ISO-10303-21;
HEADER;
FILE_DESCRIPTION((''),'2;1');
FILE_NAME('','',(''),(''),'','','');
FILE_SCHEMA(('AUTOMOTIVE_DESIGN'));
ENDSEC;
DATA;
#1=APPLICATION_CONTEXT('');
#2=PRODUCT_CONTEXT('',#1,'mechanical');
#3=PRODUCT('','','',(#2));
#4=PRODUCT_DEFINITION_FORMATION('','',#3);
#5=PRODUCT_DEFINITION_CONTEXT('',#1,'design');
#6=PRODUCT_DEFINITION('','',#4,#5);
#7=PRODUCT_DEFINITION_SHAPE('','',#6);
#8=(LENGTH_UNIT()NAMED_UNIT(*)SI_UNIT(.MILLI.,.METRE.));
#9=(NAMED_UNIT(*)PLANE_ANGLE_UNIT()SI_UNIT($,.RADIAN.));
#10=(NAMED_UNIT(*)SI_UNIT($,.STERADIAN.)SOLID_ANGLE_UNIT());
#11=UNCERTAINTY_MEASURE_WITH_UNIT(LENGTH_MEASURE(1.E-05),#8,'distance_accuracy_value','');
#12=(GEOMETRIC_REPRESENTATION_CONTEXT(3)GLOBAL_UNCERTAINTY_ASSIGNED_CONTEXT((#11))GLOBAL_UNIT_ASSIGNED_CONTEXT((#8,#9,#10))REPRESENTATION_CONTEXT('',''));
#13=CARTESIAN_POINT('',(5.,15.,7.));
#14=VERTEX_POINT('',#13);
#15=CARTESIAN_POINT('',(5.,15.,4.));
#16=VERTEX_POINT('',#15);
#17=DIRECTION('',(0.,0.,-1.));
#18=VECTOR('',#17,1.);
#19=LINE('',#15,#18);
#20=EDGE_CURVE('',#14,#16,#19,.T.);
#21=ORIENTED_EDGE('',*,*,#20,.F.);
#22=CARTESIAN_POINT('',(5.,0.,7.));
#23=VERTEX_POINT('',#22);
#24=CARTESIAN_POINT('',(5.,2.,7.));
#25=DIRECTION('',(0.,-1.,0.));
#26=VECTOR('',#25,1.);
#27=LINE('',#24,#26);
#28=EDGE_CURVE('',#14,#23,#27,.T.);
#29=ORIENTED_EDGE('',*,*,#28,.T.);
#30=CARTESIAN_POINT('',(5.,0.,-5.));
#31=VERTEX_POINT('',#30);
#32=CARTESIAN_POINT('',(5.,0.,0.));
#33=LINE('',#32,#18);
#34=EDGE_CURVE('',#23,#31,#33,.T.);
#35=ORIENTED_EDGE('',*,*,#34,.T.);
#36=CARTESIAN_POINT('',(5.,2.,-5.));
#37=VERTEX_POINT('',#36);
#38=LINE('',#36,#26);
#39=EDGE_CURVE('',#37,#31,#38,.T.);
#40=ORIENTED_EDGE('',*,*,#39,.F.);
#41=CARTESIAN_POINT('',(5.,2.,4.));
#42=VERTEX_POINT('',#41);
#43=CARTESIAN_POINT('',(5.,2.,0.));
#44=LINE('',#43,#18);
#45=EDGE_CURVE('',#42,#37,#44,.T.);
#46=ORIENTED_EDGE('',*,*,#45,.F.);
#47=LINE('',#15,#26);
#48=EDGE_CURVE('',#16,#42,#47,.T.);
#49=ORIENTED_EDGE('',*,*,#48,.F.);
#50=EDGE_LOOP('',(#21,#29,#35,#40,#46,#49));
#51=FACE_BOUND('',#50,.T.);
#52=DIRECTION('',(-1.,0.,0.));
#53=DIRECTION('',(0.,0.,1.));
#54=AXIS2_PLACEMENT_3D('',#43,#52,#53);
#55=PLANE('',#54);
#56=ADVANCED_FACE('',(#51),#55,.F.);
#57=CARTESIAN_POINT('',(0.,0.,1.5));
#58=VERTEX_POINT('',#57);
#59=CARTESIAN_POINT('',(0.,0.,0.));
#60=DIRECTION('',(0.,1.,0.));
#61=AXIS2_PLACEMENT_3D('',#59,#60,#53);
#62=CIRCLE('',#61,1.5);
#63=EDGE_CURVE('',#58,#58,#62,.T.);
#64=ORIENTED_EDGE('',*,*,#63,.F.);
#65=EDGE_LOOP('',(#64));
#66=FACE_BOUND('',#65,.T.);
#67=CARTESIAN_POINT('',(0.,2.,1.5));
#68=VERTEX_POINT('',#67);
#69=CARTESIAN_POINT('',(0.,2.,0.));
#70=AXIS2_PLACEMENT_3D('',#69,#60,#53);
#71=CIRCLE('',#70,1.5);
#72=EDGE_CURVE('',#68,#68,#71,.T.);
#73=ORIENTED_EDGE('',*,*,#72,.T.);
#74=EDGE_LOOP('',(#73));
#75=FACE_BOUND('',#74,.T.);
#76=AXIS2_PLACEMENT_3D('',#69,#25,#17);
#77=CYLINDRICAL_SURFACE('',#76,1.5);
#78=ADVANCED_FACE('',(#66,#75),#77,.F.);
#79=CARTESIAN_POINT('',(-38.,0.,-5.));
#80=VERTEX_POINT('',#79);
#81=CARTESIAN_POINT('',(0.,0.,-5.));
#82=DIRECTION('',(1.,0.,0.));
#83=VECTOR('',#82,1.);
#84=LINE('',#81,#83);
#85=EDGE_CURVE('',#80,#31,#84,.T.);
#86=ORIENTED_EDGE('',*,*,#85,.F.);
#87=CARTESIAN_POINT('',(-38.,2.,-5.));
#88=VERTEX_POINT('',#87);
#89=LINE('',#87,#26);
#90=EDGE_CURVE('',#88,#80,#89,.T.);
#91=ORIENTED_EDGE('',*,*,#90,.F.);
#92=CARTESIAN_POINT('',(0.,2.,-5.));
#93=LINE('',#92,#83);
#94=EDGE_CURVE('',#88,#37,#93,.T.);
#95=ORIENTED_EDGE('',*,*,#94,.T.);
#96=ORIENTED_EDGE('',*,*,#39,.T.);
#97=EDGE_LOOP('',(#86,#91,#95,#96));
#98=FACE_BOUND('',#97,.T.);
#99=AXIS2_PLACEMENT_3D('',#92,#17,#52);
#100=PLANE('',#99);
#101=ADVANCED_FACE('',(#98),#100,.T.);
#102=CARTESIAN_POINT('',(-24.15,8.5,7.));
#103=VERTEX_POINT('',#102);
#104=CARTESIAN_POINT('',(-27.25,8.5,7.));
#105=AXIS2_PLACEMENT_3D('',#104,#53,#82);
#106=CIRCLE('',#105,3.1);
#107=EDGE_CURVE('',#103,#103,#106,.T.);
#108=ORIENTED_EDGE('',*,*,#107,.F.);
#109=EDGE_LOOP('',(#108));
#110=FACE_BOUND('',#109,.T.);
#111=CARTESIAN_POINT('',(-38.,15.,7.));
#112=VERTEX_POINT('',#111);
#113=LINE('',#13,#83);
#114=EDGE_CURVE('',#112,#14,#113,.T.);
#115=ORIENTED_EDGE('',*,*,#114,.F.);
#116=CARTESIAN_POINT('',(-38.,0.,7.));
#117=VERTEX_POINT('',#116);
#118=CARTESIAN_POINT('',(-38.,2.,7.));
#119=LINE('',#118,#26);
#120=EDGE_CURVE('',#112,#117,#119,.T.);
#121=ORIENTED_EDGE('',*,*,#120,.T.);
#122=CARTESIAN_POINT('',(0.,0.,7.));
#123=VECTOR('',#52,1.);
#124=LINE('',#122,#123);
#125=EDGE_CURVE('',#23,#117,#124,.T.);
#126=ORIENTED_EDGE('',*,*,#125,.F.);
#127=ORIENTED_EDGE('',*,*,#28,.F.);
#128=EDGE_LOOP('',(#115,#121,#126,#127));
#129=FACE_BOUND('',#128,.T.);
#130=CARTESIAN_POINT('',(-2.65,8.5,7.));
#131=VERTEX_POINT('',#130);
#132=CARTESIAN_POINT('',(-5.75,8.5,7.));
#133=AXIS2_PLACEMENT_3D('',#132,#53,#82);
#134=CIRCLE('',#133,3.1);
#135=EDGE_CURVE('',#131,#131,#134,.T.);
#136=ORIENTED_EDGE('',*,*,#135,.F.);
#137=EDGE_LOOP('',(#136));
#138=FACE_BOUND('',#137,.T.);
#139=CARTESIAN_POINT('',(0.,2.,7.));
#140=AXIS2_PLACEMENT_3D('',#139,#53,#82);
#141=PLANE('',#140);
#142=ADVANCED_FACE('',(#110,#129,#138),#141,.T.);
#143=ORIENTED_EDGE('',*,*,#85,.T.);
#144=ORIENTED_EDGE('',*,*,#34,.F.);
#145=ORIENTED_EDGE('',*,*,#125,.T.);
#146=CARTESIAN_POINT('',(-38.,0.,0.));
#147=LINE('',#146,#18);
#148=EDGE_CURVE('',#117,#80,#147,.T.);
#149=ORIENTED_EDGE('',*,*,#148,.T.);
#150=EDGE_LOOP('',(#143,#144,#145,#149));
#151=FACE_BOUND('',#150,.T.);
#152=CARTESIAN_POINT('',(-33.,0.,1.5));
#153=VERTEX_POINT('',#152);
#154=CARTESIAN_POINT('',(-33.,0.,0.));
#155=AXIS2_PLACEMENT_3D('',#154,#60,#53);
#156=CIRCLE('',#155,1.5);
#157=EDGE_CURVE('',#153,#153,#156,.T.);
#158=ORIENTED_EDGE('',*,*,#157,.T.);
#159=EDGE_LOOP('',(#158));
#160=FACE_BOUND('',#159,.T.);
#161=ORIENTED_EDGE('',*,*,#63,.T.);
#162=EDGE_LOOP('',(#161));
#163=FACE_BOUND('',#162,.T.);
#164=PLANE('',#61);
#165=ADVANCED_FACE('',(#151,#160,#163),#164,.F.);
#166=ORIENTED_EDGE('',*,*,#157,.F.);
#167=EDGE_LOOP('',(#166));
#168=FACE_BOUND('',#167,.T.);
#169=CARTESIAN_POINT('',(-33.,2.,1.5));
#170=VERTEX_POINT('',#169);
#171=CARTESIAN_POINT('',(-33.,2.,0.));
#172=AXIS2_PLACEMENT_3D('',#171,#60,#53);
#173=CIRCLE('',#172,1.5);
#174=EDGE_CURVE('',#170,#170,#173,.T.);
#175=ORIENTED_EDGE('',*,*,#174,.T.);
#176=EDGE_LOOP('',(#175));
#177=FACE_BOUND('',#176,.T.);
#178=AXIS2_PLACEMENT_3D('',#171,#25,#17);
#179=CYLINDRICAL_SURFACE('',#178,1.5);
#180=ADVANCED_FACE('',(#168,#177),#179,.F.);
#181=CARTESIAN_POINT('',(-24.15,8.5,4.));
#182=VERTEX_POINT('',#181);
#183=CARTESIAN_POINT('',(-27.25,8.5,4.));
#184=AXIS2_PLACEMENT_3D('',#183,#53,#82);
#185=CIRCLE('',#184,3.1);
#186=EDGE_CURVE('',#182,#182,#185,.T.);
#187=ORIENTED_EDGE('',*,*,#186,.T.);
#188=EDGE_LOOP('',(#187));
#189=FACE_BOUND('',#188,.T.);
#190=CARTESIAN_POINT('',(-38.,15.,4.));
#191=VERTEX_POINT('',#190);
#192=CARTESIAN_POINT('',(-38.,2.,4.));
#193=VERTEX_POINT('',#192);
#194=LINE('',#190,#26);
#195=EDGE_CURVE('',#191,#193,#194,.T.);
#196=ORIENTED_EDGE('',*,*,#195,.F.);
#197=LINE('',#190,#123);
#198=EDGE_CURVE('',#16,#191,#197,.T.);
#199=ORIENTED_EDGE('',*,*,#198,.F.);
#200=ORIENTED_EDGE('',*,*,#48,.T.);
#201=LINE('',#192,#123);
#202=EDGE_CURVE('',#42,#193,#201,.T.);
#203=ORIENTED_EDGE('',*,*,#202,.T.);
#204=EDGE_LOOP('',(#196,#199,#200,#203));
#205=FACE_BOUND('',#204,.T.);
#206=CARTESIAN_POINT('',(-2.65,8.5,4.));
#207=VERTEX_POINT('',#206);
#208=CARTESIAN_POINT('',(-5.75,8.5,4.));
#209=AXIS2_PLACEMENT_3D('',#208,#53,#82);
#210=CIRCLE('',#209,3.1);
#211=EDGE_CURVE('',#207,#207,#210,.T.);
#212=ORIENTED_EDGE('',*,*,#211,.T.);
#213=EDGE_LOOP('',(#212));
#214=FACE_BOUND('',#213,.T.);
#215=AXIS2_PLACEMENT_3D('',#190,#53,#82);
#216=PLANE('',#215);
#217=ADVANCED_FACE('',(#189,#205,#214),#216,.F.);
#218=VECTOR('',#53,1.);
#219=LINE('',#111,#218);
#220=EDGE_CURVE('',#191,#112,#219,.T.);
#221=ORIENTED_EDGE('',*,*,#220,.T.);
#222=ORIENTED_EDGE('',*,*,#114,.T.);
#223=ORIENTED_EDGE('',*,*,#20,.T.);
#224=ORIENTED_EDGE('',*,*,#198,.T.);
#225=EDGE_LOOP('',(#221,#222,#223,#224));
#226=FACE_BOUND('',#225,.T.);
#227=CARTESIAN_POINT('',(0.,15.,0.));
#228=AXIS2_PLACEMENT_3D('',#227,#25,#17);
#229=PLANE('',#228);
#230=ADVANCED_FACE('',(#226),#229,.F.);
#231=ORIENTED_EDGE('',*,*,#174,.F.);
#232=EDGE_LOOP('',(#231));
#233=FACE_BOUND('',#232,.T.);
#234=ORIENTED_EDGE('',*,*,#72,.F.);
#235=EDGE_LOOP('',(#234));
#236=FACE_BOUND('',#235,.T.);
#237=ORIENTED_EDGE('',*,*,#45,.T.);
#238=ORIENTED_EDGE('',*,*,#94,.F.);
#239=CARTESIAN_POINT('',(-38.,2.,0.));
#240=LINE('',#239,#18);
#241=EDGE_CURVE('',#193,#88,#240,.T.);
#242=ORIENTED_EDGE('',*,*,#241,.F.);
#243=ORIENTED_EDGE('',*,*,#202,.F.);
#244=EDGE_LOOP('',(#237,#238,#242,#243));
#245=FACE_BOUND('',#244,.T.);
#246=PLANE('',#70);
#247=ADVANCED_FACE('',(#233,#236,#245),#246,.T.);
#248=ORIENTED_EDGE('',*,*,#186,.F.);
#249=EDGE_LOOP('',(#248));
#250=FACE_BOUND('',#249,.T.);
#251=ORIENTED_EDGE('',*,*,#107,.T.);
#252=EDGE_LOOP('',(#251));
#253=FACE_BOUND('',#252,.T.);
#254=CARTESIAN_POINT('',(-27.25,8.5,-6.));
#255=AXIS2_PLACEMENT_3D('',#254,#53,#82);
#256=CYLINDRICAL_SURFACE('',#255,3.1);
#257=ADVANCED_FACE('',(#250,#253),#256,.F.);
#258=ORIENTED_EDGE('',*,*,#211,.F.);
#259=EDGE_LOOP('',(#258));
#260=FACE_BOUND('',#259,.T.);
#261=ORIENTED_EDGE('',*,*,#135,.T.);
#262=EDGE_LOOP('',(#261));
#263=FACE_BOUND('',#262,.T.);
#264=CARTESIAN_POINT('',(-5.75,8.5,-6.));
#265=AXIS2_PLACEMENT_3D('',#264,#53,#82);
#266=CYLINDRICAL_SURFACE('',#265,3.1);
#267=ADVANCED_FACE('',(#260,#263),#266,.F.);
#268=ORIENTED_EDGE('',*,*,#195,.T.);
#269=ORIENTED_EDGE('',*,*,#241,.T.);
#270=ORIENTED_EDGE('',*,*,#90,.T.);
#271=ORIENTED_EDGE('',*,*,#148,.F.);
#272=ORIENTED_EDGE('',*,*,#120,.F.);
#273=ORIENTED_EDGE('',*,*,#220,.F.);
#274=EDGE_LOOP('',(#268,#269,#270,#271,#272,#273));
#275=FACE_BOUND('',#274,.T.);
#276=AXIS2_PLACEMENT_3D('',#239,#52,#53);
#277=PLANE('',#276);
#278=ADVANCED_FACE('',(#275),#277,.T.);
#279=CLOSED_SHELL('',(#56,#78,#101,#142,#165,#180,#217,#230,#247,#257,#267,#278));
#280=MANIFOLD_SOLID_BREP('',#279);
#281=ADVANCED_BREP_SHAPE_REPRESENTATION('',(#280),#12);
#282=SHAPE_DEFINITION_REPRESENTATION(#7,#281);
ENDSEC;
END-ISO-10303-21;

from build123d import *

# Parameters (mm, degrees)
SKETCH1_W           = 43
SKETCH1_H           = 12
SKETCH1_R           = 1.5
BOSS_EXTRUDE1_DEPTH = 2
SKETCH2_W           = 43
SKETCH2_H           = 3
BOSS_EXTRUDE2_DEPTH = 13
SKETCH3_R           = 3.1
CUT_EXTRUDE1_DEPTH  = 13


with BuildPart() as part:
    # Sketch1 → Boss-Extrude1 (new body)
    with BuildSketch(Plane(origin=(0, 0, 0), x_dir=(1, 0, 0), z_dir=(0, 1, 0))):
        with Locations((-16.5, -1)):
            Rectangle(SKETCH1_W, SKETCH1_H)
        with Locations((-33, 0)):
            Circle(SKETCH1_R, mode=Mode.SUBTRACT)
        Circle(SKETCH1_R, mode=Mode.SUBTRACT)
    extrude(amount=BOSS_EXTRUDE1_DEPTH)

    # Sketch2 → Boss-Extrude2 (add)
    with BuildSketch(Plane(origin=(0, 2, 0), x_dir=(1, 0, 0), z_dir=(0, 1, 0))):
        with Locations((-16.5, -5.5)):
            Rectangle(SKETCH2_W, SKETCH2_H)
    extrude(amount=BOSS_EXTRUDE2_DEPTH)

    # Sketch3 → Cut-Extrude1 (cut)
    with BuildSketch(Plane.XY.offset(7)):
        with Locations((-27.25, 8.5)):
            Circle(SKETCH3_R)
        with Locations((-5.75, 8.5)):
            Circle(SKETCH3_R)
    extrude(amount=-CUT_EXTRUDE1_DEPTH, mode=Mode.SUBTRACT)


solid = part.part
